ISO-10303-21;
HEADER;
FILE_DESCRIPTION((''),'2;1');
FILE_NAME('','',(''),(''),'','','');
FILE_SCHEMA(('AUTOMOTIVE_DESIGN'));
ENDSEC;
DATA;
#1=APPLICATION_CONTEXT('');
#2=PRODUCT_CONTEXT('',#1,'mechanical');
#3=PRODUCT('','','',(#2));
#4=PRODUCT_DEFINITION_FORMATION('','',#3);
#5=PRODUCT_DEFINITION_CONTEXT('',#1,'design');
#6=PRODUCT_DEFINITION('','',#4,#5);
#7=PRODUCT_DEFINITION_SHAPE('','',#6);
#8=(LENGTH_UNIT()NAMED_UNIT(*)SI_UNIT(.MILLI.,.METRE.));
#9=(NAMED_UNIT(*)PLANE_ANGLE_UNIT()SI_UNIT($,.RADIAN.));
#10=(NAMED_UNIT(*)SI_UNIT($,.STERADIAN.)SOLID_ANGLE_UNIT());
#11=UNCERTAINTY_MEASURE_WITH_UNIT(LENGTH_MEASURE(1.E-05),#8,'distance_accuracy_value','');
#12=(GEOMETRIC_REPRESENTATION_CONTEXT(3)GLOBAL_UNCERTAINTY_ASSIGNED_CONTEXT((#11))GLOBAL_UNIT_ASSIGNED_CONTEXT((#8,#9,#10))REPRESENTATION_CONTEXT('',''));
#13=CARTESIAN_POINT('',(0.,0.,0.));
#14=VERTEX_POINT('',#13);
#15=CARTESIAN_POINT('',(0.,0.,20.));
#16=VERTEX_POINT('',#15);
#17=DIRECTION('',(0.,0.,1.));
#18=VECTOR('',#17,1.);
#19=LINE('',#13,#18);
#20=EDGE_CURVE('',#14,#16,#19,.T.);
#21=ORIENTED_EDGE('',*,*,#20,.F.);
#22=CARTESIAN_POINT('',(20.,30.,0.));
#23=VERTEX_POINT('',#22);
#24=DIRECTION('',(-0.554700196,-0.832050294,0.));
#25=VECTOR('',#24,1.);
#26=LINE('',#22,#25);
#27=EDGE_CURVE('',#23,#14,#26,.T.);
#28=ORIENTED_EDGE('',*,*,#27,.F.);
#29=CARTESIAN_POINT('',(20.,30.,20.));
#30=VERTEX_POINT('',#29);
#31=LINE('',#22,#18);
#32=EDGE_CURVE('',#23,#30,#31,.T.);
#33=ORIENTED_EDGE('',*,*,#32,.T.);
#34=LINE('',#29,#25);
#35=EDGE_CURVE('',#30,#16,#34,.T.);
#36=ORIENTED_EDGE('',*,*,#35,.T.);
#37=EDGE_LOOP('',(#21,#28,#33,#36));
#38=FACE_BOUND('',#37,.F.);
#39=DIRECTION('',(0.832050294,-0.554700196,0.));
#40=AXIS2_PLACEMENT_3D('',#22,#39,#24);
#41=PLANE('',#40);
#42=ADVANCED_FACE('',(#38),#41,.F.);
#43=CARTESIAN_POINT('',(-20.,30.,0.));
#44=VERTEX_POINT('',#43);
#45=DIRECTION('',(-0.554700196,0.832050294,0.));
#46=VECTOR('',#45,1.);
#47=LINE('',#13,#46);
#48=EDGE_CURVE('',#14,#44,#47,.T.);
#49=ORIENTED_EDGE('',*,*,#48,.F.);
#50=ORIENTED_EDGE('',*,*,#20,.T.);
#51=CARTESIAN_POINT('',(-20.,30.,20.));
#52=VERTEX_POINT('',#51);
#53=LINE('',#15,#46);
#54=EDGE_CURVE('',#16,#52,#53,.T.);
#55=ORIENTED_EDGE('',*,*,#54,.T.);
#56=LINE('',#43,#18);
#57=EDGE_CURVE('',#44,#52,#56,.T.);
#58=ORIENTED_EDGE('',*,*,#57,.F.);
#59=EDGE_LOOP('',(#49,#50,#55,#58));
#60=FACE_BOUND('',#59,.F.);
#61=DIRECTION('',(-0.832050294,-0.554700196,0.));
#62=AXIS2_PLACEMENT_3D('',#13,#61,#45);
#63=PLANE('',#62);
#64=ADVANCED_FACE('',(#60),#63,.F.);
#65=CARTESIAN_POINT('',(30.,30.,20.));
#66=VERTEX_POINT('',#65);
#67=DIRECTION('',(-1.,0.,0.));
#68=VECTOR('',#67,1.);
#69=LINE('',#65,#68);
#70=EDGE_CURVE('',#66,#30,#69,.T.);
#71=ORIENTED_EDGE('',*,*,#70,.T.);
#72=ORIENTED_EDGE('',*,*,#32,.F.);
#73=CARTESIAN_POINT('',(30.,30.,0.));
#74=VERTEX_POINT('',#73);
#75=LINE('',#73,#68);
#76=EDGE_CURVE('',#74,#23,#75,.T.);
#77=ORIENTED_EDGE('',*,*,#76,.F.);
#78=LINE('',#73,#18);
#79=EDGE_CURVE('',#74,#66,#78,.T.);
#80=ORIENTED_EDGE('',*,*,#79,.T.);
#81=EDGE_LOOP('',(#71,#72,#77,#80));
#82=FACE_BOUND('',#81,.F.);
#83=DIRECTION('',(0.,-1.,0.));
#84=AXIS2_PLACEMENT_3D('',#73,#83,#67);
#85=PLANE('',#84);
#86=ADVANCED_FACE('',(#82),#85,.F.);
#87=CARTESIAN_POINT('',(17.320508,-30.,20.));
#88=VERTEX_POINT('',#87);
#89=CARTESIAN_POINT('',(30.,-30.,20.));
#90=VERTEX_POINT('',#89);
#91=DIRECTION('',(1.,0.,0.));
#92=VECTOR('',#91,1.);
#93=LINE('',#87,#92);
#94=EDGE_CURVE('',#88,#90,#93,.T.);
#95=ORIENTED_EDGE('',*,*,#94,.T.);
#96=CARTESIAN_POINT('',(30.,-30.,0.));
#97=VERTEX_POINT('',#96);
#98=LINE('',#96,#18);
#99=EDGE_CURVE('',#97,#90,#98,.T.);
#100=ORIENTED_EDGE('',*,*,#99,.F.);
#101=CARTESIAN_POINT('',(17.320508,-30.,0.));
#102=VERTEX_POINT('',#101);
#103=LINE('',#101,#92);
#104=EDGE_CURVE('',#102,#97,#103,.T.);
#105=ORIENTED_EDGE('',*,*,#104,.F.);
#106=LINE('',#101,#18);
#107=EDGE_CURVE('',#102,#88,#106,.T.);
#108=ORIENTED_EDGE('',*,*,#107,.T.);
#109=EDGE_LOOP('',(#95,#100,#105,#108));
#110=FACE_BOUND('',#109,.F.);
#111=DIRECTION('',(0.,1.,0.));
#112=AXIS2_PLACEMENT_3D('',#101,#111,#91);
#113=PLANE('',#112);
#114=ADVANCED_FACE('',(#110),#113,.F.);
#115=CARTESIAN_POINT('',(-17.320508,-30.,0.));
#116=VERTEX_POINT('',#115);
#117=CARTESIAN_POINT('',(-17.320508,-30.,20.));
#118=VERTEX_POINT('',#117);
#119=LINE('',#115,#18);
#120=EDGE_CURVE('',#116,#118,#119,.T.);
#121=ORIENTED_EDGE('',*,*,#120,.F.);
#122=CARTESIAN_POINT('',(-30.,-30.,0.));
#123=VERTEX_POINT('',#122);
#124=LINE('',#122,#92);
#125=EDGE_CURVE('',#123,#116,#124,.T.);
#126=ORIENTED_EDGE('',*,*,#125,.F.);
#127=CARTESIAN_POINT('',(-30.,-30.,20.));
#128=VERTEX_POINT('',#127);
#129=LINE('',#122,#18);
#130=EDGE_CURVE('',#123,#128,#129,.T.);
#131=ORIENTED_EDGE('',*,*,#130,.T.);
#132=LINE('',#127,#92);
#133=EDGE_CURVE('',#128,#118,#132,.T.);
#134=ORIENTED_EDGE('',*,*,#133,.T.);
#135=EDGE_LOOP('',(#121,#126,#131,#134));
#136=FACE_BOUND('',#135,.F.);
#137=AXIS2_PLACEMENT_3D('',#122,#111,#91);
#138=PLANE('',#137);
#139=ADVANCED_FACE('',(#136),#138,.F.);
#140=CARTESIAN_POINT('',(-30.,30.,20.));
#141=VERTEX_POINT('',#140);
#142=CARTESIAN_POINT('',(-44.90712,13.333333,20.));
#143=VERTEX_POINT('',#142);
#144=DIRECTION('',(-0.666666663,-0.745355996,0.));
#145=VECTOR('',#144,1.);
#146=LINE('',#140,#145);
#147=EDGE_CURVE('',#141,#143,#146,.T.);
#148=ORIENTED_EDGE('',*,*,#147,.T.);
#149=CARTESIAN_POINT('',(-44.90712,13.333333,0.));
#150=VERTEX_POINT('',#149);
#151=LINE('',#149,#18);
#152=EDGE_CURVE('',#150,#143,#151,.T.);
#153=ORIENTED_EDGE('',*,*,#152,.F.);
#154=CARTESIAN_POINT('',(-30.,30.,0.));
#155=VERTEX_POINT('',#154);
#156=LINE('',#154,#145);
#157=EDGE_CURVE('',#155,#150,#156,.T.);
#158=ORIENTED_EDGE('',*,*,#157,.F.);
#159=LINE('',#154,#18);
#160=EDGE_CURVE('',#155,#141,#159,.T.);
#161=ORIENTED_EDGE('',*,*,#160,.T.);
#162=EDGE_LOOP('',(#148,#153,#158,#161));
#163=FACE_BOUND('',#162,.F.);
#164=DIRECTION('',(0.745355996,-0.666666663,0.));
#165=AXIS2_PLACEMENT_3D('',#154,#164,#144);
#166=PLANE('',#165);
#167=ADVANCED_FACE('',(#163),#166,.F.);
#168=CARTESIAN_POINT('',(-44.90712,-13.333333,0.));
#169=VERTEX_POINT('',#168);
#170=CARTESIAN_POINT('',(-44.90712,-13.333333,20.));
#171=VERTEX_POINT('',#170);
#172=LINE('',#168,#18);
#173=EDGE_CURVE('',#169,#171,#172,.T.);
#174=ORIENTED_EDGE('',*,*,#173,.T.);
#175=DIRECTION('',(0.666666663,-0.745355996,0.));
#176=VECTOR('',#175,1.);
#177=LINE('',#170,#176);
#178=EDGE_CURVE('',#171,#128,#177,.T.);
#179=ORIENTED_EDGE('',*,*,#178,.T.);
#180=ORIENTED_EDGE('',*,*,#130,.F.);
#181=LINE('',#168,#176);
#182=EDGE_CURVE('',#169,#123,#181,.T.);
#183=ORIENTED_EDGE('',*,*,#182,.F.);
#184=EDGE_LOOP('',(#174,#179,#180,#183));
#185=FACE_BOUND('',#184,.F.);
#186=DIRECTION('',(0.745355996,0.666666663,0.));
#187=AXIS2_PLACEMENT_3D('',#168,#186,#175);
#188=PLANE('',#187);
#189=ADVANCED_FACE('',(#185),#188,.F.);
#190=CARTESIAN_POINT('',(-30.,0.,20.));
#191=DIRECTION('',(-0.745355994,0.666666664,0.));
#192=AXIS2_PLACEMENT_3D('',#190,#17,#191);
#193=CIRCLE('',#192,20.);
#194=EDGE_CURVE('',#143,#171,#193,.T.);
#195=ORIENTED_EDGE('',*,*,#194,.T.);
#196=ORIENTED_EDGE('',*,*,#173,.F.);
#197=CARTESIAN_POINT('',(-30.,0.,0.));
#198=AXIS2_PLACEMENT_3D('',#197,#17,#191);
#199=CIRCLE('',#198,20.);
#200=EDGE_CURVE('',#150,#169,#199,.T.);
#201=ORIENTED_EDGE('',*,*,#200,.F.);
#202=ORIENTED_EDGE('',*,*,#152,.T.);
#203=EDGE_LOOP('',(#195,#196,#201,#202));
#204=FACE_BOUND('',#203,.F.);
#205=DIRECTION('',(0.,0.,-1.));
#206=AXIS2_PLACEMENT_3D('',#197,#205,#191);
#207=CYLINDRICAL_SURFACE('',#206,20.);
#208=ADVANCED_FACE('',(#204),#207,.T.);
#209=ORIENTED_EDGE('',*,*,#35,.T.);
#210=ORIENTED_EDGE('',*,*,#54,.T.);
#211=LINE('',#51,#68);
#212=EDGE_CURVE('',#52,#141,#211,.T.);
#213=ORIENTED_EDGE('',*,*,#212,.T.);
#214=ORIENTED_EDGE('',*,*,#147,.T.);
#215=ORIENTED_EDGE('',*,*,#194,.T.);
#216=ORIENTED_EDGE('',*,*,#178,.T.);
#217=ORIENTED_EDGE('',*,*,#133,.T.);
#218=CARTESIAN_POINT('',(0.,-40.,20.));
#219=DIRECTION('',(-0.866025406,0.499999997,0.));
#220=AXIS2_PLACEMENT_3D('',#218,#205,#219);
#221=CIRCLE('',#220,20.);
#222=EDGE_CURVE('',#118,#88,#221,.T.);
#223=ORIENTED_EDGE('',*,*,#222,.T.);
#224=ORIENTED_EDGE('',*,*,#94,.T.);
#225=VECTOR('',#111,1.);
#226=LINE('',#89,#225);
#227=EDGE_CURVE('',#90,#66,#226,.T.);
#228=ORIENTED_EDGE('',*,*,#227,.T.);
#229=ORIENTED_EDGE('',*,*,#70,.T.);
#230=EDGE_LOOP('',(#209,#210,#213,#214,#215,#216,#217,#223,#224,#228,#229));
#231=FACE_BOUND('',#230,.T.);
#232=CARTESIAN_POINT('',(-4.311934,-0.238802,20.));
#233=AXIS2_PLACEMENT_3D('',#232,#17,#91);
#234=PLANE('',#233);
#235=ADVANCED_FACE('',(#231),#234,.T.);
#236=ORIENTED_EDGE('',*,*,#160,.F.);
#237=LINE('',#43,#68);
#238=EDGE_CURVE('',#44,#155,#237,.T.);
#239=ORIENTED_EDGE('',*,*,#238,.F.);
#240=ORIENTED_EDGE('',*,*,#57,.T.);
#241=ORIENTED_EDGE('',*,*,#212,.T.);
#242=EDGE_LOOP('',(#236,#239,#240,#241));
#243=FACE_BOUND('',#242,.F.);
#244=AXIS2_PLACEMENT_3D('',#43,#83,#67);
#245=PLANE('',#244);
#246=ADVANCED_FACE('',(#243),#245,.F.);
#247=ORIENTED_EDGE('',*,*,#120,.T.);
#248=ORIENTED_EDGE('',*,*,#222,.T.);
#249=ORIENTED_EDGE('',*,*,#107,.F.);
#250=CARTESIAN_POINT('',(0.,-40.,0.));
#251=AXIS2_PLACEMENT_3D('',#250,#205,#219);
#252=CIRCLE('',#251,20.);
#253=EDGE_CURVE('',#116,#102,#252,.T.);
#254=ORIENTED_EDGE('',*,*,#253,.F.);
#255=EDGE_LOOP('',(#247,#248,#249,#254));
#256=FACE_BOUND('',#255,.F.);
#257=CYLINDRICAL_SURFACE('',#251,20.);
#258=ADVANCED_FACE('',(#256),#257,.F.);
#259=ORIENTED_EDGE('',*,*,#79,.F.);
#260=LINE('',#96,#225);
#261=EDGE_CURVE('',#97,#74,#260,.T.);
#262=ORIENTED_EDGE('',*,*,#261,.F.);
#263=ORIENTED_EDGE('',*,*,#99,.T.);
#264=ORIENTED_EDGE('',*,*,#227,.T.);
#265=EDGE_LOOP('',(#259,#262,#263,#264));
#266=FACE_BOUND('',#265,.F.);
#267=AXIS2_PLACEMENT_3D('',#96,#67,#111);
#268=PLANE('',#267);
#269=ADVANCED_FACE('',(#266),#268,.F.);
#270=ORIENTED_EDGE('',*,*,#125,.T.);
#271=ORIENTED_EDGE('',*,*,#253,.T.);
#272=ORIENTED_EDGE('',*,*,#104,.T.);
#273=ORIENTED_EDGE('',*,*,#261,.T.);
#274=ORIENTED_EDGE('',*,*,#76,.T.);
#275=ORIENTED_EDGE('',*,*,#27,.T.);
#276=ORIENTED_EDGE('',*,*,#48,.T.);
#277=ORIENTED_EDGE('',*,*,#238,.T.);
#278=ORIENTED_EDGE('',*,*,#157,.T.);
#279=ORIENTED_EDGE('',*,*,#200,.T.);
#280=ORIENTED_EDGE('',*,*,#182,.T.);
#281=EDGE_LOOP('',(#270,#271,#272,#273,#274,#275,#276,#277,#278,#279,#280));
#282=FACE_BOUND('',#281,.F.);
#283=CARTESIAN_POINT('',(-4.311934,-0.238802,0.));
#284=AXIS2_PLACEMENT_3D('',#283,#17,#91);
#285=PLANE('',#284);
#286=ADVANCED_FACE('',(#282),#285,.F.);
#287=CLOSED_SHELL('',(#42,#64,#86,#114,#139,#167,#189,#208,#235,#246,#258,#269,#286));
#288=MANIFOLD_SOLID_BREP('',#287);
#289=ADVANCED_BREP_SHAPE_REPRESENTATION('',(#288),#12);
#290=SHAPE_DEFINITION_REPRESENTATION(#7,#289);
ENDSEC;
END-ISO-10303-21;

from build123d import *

# Parameters (mm, degrees)
F1_DEPTH = 20


with BuildPart() as f1:
    # F0 (on Top) → F1 (new body)
    with BuildSketch(Plane.XY):
        with BuildLine():
            ThreePointArc((-17.320508, -30), (0, -20), (17.320508, -30))
            Line((17.320508, -30), (30, -30))
            Line((30, -30), (30, 30))
            Line((30, 30), (20, 30))
            Line((20, 30), (0, 0))
            Line((0, 0), (-20, 30))
            Line((-20, 30), (-30, 30))
            Line((-30, 30), (-44.90712, 13.333333))
            ThreePointArc((-44.90712, 13.333333), (-50, 0), (-44.90712, -13.333333))
            Line((-44.90712, -13.333333), (-30, -30))
            Line((-30, -30), (-17.320508, -30))
        make_face()
    extrude(amount=F1_DEPTH)


solid = f1.part
